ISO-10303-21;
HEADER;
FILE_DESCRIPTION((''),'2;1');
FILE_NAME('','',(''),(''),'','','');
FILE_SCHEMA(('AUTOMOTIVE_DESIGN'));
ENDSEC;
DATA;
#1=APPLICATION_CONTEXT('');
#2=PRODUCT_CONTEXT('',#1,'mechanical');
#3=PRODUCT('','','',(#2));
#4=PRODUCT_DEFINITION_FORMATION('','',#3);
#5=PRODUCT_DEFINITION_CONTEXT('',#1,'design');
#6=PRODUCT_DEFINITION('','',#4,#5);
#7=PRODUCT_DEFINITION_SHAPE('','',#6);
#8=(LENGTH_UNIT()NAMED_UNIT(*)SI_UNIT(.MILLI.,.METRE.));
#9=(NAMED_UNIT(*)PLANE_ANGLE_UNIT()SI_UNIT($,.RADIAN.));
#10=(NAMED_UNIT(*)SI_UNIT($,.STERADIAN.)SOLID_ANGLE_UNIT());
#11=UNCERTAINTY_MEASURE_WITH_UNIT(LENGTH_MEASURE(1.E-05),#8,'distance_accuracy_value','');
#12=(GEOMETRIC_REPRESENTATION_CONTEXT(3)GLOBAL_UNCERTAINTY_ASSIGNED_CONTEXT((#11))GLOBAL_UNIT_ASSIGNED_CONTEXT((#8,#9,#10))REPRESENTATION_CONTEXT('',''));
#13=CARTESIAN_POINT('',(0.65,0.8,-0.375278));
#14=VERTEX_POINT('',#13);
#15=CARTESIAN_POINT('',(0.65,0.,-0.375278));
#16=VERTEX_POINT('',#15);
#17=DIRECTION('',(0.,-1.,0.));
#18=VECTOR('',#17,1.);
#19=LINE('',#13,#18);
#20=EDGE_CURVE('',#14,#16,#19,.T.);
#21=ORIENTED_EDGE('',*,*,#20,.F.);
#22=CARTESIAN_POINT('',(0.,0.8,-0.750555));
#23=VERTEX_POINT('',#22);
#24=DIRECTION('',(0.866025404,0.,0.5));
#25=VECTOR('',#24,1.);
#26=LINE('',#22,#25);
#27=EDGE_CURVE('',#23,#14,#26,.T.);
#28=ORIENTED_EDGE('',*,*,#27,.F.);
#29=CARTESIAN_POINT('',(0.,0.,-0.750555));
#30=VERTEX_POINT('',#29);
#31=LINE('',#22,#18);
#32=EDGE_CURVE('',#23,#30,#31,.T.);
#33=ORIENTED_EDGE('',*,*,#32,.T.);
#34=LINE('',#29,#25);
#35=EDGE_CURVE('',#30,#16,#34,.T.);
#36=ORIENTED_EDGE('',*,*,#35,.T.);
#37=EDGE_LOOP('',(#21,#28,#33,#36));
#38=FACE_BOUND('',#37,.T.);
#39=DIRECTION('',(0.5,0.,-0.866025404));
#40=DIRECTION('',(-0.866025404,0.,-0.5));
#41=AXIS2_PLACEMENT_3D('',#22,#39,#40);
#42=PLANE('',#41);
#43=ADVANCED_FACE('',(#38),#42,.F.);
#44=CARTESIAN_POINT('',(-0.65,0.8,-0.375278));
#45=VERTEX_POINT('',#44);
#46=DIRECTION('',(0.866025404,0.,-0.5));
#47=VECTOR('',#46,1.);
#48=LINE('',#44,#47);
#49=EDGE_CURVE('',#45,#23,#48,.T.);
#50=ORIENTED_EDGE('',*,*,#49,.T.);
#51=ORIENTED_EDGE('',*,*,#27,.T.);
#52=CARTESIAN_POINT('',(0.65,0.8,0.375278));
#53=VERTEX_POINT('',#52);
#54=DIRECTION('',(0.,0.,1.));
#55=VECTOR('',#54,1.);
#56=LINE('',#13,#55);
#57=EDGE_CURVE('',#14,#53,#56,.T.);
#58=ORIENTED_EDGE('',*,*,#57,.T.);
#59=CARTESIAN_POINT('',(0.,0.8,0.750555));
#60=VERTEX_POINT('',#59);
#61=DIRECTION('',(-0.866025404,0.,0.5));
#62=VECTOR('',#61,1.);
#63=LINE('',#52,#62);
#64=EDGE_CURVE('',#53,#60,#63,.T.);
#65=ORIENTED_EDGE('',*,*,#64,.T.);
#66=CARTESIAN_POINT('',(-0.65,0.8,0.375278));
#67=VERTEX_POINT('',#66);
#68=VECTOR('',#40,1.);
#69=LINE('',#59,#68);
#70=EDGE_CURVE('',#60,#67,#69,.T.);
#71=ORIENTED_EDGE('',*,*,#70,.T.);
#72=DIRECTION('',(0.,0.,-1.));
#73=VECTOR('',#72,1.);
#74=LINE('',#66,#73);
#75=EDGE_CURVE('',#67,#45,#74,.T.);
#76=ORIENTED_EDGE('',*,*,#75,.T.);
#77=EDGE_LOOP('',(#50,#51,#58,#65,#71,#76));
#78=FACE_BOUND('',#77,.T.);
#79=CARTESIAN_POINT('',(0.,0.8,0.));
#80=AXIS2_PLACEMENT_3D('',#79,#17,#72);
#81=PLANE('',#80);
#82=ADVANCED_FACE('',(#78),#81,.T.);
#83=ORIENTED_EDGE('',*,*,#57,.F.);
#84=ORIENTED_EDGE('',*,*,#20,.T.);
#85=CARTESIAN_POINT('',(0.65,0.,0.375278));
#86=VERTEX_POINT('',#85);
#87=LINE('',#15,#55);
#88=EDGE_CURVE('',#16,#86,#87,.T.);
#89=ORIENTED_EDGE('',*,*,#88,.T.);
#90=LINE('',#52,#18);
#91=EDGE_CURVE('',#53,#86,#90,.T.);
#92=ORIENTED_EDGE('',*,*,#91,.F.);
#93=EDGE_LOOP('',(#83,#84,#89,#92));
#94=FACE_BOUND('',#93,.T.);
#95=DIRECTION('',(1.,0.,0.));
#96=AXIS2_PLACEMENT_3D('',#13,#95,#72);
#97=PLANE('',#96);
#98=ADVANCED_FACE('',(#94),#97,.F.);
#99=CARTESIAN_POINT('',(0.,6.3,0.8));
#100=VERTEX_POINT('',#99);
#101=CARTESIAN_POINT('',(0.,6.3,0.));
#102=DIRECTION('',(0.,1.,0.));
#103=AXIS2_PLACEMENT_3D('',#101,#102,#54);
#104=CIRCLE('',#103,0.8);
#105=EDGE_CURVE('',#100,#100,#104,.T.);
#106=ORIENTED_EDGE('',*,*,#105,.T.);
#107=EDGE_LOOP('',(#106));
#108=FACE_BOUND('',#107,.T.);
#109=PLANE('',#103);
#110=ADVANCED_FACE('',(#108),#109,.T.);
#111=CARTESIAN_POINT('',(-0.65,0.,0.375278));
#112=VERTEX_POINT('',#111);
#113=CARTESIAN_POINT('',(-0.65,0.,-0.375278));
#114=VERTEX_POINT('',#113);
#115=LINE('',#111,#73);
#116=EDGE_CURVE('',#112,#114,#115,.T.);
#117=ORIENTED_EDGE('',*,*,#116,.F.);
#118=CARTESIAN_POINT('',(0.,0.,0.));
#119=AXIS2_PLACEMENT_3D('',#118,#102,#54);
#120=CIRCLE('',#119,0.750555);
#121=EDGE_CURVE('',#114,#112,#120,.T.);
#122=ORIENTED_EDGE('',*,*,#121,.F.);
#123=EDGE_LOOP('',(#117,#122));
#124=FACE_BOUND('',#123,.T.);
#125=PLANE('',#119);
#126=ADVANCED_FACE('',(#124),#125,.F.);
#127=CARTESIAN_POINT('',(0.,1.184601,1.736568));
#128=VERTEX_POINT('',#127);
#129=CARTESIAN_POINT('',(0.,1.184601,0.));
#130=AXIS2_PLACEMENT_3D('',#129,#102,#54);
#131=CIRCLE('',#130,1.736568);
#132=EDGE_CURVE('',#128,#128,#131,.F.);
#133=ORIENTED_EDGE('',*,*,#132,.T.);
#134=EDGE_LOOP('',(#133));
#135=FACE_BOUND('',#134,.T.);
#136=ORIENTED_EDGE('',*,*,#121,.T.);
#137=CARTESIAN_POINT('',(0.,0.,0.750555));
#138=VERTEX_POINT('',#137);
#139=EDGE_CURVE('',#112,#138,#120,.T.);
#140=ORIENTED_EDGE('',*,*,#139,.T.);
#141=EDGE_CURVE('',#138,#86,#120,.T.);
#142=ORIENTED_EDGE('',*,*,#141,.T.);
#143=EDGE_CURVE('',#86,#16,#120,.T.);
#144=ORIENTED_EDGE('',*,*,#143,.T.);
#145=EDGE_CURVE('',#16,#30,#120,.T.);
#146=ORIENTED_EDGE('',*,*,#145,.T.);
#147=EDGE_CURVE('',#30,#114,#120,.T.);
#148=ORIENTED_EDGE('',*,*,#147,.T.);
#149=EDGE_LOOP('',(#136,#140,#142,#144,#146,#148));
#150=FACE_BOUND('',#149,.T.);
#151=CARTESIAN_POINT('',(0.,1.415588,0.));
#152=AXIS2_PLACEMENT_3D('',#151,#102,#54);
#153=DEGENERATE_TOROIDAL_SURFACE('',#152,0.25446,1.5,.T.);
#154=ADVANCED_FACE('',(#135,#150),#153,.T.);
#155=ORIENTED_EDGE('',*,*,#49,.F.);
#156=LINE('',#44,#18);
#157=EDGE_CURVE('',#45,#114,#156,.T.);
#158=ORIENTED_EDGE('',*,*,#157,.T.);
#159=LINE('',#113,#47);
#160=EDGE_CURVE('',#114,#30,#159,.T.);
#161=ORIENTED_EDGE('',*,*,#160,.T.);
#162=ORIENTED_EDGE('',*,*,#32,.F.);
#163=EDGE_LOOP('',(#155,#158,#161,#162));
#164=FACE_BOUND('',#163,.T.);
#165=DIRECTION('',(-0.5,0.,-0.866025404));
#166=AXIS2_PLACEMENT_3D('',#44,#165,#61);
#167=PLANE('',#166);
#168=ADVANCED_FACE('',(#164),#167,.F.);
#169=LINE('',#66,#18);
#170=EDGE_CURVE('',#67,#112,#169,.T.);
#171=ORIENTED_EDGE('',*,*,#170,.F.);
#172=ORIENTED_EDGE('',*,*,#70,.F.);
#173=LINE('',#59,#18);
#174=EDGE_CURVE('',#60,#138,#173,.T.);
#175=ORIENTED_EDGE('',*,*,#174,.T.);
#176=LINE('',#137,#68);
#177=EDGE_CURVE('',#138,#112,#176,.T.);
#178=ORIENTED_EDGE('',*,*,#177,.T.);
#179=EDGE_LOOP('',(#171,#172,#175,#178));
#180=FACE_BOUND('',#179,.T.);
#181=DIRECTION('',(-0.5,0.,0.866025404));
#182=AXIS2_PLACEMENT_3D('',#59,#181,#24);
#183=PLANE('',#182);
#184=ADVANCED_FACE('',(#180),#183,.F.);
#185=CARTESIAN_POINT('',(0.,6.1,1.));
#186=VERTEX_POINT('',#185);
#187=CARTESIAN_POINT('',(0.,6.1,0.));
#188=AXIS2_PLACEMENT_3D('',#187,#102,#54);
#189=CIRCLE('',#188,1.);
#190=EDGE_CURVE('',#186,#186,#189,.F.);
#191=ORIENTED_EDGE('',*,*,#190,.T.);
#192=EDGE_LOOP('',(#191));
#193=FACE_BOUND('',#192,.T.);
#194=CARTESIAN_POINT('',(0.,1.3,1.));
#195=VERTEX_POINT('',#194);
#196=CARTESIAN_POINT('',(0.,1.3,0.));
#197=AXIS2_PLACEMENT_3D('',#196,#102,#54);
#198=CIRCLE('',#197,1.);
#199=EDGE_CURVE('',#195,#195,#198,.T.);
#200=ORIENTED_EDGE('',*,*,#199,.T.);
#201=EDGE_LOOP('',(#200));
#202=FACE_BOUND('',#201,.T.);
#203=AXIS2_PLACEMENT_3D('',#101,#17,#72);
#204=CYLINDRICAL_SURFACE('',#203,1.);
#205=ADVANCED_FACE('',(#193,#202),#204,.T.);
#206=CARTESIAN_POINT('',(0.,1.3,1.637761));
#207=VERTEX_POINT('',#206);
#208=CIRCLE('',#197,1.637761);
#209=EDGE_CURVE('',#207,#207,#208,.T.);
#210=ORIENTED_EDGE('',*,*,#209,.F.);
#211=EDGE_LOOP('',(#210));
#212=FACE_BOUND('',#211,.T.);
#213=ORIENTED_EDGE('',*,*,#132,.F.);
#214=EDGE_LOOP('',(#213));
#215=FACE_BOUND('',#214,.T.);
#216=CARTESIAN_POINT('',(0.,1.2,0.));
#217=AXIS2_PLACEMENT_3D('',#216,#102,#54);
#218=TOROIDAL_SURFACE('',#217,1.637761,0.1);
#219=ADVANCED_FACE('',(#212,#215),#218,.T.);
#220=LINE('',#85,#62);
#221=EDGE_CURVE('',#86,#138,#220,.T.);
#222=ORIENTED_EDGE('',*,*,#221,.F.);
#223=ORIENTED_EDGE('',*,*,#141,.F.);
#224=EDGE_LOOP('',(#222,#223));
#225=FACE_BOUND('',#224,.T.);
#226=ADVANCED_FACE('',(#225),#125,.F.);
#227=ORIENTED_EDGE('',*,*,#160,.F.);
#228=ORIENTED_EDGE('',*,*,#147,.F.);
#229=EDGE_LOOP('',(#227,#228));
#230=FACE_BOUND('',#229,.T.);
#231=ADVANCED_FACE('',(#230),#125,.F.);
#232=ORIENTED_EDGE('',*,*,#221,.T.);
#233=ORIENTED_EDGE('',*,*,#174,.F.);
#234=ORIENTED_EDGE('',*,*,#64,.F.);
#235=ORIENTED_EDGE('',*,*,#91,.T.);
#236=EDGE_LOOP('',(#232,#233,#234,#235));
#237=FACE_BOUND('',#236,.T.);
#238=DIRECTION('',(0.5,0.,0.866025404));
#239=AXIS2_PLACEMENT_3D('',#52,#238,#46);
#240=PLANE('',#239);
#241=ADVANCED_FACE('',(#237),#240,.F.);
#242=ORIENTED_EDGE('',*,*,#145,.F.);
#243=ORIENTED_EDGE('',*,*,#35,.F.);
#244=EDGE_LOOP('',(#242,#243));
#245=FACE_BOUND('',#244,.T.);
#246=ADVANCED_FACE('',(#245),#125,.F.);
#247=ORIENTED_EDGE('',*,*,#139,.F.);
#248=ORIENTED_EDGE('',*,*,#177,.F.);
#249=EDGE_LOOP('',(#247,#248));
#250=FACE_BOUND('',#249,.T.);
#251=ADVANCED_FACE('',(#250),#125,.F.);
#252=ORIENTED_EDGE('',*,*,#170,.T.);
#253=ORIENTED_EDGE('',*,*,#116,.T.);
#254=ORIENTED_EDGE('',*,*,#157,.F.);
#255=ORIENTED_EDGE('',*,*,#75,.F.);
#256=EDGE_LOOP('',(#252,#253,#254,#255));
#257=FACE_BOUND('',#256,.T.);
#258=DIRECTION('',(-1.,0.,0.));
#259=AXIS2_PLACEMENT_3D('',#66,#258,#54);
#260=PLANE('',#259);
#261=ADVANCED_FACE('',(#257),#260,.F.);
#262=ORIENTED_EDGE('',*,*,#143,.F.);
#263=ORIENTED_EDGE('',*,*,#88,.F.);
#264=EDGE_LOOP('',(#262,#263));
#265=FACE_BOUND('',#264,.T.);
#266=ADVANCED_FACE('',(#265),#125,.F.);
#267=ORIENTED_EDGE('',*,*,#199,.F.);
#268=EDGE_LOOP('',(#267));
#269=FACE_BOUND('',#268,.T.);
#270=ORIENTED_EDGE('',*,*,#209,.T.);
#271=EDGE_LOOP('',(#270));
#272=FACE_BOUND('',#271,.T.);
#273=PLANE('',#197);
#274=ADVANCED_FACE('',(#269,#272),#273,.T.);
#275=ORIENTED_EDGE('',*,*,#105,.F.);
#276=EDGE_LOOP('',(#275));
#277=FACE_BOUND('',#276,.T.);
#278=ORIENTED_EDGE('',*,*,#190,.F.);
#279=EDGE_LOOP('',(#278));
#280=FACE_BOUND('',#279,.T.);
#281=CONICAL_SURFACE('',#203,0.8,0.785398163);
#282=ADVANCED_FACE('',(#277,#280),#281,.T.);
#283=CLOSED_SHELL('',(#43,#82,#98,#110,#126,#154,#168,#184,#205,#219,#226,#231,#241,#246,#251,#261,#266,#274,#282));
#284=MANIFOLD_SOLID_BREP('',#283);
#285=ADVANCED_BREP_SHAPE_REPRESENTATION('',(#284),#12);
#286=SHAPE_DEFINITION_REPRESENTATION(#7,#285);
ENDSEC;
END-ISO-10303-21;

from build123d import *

# Parameters (mm, degrees)
SKETCH1_R           = 1.75
BOSS_EXTRUDE1_DEPTH = 1.3
SKETCH2_R           = 1
BOSS_EXTRUDE2_DEPTH = 5
CUT_EXTRUDE1_DEPTH  = 0.8
CHAMFER1_SIZE       = 0.2
FILLET1_R           = 0.1


with BuildPart() as part:
    # Sketch1 → Boss-Extrude1 (new body)
    with BuildSketch(Plane(origin=(0, 0, 0), x_dir=(1, 0, 0), z_dir=(0, 1, 0))):
        with Locations(Location((0, 0, 0), (0, 0, 270))):
            Circle(SKETCH1_R)
    extrude(amount=BOSS_EXTRUDE1_DEPTH)

    # Sketch2 → Boss-Extrude2 (add)
    with BuildSketch(Plane(origin=(0, 1.3, 0), x_dir=(1, 0, 0), z_dir=(0, 1, 0))):
        with Locations(Location((0, 0, 0), (0, 0, 270))):
            Circle(SKETCH2_R)
    extrude(amount=BOSS_EXTRUDE2_DEPTH)

    # Sketch3 → Cut-Extrude1 (cut)
    with BuildSketch(Plane.XZ):
        Polygon((0, -0.75055535), (0.65, -0.375277675), (0.65, 0.375277675), (0, 0.75055535), (-0.65, 0.375277675), (-0.65, -0.375277675), align=None)
    extrude(amount=-CUT_EXTRUDE1_DEPTH, mode=Mode.SUBTRACT)

    # Chamfer1
    chamfer1_edges = [part.edges().sort_by_distance(p)[0] for p in [
        (0, 6.3, -1),
    ]]
    chamfer(chamfer1_edges, length=CHAMFER1_SIZE)

    # Sketch4 → Cut-Revolve1 (revolve, cut)
    with BuildSketch(Plane(origin=(0, 0, 0), x_dir=(0, 0, -1), z_dir=(1, 0, 0)), mode=Mode.PRIVATE) as cut_revolve1_sk:
        with BuildLine():
            Line((1.75, 1.3), (1.75, 0))
            Line((1.75, 0), (0.75055535, 0))
            ThreePointArc((0.75055535, 0), (1.443641612, 0.501341114), (1.75, 1.3))
        make_face()
    revolve(cut_revolve1_sk.sketch.rotate(Axis((0, 6.3, 0), (0, -1, 0)), 180), axis=Axis((0, 6.3, 0), (0, -1, 0)), mode=Mode.SUBTRACT)

    # Fillet1
    fillet1_edges = [part.edges().sort_by_distance(p)[0] for p in [
        (0, 1.3, -1.75),
    ]]
    fillet(fillet1_edges, radius=FILLET1_R)


solid = part.part
